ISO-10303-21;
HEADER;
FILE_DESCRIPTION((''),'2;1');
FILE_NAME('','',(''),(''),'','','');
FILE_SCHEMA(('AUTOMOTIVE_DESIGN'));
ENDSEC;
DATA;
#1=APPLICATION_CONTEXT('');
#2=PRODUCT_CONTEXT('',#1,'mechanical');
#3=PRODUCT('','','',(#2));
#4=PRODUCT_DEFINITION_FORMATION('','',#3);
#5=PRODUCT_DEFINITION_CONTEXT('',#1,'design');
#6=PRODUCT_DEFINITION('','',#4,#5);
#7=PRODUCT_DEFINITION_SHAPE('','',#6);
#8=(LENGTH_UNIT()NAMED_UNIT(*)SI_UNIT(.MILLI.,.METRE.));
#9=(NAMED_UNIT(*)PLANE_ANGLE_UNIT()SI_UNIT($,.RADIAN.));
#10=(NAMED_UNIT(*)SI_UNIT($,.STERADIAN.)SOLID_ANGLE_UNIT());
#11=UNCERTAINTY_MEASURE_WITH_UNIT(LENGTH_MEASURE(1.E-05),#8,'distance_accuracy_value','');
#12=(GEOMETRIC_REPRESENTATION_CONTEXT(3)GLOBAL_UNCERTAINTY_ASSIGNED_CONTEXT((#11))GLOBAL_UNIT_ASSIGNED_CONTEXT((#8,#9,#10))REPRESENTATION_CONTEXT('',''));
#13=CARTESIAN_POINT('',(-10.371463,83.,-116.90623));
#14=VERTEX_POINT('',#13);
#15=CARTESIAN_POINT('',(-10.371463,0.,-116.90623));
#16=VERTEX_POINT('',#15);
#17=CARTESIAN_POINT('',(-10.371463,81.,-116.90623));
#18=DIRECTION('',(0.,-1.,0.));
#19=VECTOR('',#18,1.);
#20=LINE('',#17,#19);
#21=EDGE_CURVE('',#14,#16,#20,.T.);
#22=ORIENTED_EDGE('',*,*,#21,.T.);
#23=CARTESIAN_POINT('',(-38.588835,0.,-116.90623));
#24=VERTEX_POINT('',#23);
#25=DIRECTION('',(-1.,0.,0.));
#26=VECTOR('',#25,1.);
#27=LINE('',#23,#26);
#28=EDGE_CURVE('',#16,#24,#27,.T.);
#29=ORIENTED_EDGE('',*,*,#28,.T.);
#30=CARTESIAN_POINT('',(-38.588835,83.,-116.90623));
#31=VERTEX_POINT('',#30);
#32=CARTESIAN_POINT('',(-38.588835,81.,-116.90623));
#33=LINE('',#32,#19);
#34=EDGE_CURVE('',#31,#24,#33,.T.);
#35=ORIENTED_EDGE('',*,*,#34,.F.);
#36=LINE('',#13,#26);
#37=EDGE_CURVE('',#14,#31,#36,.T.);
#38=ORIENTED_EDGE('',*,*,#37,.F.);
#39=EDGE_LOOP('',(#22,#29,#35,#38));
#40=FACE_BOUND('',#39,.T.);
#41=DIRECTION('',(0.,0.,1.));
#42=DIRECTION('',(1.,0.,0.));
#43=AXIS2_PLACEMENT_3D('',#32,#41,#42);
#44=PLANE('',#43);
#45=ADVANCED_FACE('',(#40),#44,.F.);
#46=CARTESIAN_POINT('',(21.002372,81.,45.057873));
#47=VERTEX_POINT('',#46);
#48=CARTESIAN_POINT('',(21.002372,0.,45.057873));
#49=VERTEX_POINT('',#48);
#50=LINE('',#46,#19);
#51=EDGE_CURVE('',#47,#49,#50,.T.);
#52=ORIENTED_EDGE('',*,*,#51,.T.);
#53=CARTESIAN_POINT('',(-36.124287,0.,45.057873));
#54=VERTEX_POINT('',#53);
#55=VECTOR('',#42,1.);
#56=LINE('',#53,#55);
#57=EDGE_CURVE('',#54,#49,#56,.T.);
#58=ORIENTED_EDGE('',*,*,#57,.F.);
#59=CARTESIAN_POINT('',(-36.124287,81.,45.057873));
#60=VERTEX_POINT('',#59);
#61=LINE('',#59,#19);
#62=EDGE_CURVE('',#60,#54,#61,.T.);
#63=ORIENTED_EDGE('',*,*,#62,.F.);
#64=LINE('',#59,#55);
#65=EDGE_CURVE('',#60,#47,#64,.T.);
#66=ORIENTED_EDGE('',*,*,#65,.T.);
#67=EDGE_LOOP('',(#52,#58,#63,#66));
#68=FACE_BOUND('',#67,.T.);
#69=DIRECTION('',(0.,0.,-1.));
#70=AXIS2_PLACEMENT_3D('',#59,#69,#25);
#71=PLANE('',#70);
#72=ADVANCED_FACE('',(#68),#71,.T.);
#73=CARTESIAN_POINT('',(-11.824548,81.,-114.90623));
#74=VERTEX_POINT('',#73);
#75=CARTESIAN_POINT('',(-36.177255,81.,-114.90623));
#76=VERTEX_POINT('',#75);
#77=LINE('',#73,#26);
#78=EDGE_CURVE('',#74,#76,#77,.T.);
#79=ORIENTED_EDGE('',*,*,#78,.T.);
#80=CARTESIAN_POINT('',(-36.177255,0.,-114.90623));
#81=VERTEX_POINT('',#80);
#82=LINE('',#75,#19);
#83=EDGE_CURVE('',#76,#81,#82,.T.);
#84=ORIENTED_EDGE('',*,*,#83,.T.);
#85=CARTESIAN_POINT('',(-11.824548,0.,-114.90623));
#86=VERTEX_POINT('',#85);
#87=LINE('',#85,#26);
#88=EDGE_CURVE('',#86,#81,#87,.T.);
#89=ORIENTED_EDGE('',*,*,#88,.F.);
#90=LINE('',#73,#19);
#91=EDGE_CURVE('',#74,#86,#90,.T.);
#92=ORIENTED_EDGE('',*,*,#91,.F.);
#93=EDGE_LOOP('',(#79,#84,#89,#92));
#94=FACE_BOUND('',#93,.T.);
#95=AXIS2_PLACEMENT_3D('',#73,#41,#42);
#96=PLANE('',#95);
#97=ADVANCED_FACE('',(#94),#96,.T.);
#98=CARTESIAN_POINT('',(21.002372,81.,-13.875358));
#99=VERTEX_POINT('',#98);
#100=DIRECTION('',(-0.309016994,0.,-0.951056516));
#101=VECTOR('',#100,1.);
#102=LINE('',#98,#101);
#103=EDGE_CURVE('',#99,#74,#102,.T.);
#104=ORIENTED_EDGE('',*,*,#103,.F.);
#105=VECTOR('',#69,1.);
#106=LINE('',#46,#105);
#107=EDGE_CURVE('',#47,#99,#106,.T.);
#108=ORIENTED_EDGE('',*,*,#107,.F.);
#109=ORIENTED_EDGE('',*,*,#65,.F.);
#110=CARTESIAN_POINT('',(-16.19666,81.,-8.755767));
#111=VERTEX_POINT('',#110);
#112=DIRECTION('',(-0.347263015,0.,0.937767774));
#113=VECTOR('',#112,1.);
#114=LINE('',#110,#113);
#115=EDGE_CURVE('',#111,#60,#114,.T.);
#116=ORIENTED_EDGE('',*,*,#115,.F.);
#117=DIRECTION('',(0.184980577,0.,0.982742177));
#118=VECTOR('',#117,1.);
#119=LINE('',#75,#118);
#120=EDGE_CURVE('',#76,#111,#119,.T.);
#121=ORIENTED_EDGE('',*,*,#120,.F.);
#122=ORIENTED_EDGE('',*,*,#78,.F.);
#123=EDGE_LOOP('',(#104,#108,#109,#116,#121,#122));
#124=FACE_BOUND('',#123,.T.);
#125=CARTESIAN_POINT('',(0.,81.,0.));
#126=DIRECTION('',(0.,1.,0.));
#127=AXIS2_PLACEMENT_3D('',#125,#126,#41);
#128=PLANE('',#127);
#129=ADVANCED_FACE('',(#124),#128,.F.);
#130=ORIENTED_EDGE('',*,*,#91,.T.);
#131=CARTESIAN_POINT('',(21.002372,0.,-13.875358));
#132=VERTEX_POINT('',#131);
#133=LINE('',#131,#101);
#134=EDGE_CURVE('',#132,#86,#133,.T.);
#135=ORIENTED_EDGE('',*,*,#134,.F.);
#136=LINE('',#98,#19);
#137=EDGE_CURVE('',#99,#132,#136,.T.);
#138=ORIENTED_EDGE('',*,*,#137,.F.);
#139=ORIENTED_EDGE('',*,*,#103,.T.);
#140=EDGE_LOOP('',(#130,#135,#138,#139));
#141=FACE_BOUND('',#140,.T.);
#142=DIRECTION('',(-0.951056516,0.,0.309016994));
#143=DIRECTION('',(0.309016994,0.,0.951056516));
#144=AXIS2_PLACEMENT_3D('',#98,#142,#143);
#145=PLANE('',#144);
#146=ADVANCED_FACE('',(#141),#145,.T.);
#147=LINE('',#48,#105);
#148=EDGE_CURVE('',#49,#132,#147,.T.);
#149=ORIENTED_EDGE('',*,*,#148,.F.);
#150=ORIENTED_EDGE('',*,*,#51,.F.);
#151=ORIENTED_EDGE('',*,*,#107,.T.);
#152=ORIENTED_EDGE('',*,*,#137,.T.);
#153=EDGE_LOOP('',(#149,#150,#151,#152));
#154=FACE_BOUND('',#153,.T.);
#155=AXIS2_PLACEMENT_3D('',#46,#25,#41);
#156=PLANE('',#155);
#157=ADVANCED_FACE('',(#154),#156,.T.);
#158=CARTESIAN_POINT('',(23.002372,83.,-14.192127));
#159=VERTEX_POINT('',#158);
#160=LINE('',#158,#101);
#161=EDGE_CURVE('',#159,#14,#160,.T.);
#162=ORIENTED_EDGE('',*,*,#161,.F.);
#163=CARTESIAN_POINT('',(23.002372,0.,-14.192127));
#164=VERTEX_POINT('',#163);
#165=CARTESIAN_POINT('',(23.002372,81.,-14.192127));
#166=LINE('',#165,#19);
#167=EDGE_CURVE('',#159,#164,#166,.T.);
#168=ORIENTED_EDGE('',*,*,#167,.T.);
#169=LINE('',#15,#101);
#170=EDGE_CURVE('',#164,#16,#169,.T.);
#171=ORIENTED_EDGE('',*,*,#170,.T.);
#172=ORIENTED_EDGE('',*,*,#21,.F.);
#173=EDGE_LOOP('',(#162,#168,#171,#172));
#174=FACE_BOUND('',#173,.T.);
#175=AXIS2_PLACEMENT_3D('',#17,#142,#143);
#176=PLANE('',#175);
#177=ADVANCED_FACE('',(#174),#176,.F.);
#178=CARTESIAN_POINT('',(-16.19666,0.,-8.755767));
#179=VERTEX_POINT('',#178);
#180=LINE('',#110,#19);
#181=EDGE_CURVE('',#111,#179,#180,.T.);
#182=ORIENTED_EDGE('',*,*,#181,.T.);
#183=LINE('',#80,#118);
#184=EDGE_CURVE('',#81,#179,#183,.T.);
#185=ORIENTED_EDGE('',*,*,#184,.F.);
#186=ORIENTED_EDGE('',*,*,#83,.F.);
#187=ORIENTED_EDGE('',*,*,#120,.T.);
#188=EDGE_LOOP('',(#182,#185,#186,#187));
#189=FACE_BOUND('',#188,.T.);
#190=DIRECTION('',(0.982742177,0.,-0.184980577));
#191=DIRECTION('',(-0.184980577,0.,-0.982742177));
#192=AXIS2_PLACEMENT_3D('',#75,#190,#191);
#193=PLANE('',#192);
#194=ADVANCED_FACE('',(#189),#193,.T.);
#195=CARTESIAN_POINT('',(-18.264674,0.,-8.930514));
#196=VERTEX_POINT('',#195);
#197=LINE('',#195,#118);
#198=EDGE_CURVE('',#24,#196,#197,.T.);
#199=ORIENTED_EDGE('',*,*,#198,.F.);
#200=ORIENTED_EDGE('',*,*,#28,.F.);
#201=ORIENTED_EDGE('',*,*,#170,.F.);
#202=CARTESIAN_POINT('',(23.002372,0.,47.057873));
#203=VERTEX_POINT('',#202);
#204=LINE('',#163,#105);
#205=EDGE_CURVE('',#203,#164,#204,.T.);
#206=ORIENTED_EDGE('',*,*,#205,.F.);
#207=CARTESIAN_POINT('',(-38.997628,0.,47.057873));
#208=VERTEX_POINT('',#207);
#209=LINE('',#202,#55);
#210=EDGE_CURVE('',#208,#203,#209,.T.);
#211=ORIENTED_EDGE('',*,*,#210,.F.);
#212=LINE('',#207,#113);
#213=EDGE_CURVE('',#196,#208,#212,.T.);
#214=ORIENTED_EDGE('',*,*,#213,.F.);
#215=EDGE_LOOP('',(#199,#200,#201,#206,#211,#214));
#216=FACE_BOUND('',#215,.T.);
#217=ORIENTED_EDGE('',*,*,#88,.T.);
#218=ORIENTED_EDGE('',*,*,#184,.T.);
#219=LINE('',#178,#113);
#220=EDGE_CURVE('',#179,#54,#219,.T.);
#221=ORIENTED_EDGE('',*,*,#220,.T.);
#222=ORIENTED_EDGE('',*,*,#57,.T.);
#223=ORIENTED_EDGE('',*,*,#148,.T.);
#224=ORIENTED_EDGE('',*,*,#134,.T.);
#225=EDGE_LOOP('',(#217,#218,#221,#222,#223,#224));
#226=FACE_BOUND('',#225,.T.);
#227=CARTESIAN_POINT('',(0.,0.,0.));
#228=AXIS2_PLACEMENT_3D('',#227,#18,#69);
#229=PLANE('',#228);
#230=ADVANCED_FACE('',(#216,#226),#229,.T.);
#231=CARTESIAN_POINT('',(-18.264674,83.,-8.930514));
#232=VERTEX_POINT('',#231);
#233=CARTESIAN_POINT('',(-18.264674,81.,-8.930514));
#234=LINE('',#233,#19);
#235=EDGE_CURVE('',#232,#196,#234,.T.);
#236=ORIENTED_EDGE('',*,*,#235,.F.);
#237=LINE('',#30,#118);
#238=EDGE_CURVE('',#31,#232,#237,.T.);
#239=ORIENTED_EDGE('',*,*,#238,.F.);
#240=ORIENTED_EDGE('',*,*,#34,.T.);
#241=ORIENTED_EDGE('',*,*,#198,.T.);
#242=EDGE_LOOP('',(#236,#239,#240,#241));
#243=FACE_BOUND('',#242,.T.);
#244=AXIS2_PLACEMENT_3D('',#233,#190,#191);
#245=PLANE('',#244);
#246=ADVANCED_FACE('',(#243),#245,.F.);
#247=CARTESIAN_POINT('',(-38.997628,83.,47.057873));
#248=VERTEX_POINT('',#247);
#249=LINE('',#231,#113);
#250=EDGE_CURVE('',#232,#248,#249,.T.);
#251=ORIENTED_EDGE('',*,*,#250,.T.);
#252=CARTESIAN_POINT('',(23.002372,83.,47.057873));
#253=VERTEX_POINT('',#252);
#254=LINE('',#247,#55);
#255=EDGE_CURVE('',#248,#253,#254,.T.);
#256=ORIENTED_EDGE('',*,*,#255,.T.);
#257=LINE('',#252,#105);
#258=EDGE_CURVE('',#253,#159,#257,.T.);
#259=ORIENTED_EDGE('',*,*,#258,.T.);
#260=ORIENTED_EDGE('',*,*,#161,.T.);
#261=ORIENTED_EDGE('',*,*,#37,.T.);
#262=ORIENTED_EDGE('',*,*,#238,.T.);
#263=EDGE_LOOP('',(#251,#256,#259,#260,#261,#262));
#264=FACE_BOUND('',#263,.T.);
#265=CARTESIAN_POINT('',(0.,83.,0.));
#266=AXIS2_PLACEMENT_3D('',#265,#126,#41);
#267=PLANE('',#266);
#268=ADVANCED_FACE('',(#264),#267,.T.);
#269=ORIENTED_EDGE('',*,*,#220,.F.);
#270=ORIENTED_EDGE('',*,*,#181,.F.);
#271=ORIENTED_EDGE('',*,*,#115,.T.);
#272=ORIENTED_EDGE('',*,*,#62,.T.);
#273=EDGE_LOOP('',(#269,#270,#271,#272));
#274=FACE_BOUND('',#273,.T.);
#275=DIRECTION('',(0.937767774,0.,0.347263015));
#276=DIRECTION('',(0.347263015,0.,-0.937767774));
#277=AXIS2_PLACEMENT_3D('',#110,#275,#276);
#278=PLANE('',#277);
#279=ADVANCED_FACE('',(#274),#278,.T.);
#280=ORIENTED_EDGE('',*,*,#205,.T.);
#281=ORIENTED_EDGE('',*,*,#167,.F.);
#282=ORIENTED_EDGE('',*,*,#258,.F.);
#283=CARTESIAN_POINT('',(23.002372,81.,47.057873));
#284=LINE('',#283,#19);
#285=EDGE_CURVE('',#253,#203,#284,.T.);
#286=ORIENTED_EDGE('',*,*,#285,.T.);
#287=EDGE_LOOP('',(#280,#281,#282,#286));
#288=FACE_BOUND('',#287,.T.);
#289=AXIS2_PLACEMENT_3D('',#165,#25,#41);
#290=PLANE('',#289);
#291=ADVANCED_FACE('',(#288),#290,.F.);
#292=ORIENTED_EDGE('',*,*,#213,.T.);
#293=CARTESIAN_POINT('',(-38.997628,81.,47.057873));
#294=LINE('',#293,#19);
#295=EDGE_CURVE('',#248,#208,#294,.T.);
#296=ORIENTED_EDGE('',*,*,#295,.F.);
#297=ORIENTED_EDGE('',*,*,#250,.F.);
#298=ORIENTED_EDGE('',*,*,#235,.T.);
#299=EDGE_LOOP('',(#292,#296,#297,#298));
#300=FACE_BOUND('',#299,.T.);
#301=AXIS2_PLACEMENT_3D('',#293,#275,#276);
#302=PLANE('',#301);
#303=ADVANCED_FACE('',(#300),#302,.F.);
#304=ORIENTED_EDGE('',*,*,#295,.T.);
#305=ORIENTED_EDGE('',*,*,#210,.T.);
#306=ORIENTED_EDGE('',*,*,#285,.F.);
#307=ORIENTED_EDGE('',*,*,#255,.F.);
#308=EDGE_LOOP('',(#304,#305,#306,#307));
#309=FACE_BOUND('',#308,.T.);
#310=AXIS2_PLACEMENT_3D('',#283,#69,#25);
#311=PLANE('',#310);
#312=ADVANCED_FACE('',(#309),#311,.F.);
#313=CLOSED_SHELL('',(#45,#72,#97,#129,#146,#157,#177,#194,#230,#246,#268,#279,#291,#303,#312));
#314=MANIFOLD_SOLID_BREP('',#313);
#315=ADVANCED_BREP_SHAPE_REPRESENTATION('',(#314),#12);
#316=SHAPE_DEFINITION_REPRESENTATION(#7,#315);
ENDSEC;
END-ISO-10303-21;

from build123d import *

# Parameters (mm, degrees)
BOSS_EXTRUDE1_DEPTH = 81
BOSS_EXTRUDE2_DEPTH = 2


with BuildPart() as part:
    # Sketch1 → Boss-Extrude1 (new body)
    with BuildSketch(Plane(origin=(0, 0, 0), x_dir=(1, 0, 0), z_dir=(0, 1, 0))):
        Polygon((23.002372201, -47.057873482), (-38.997627799, -47.057873482), (-18.264673723, 8.930513794), (-38.588834845, 116.906230278), (-10.371463192, 116.906230278), (23.002372201, 14.192126518), align=None)
        Polygon((-36.1242874, -45.057873482), (21.002372201, -45.057873482), (21.002372201, 13.875357637), (-11.824548248, 114.906230278), (-36.177255073, 114.906230278), (-16.196659594, 8.755767302), align=None, mode=Mode.SUBTRACT)
    extrude(amount=BOSS_EXTRUDE1_DEPTH)

    # Sketch2 → Boss-Extrude2 (add)
    with BuildSketch(Plane(origin=(0, 81, 0), x_dir=(1, 0, 0), z_dir=(0, 1, 0))):
        Polygon((-38.997627799, -47.057873482), (23.002372201, -47.057873482), (23.002372201, 14.192126518), (-10.371463192, 116.906230278), (-38.588834845, 116.906230278), (-18.264673723, 8.930513794), align=None)
    extrude(amount=BOSS_EXTRUDE2_DEPTH)


solid = part.part
